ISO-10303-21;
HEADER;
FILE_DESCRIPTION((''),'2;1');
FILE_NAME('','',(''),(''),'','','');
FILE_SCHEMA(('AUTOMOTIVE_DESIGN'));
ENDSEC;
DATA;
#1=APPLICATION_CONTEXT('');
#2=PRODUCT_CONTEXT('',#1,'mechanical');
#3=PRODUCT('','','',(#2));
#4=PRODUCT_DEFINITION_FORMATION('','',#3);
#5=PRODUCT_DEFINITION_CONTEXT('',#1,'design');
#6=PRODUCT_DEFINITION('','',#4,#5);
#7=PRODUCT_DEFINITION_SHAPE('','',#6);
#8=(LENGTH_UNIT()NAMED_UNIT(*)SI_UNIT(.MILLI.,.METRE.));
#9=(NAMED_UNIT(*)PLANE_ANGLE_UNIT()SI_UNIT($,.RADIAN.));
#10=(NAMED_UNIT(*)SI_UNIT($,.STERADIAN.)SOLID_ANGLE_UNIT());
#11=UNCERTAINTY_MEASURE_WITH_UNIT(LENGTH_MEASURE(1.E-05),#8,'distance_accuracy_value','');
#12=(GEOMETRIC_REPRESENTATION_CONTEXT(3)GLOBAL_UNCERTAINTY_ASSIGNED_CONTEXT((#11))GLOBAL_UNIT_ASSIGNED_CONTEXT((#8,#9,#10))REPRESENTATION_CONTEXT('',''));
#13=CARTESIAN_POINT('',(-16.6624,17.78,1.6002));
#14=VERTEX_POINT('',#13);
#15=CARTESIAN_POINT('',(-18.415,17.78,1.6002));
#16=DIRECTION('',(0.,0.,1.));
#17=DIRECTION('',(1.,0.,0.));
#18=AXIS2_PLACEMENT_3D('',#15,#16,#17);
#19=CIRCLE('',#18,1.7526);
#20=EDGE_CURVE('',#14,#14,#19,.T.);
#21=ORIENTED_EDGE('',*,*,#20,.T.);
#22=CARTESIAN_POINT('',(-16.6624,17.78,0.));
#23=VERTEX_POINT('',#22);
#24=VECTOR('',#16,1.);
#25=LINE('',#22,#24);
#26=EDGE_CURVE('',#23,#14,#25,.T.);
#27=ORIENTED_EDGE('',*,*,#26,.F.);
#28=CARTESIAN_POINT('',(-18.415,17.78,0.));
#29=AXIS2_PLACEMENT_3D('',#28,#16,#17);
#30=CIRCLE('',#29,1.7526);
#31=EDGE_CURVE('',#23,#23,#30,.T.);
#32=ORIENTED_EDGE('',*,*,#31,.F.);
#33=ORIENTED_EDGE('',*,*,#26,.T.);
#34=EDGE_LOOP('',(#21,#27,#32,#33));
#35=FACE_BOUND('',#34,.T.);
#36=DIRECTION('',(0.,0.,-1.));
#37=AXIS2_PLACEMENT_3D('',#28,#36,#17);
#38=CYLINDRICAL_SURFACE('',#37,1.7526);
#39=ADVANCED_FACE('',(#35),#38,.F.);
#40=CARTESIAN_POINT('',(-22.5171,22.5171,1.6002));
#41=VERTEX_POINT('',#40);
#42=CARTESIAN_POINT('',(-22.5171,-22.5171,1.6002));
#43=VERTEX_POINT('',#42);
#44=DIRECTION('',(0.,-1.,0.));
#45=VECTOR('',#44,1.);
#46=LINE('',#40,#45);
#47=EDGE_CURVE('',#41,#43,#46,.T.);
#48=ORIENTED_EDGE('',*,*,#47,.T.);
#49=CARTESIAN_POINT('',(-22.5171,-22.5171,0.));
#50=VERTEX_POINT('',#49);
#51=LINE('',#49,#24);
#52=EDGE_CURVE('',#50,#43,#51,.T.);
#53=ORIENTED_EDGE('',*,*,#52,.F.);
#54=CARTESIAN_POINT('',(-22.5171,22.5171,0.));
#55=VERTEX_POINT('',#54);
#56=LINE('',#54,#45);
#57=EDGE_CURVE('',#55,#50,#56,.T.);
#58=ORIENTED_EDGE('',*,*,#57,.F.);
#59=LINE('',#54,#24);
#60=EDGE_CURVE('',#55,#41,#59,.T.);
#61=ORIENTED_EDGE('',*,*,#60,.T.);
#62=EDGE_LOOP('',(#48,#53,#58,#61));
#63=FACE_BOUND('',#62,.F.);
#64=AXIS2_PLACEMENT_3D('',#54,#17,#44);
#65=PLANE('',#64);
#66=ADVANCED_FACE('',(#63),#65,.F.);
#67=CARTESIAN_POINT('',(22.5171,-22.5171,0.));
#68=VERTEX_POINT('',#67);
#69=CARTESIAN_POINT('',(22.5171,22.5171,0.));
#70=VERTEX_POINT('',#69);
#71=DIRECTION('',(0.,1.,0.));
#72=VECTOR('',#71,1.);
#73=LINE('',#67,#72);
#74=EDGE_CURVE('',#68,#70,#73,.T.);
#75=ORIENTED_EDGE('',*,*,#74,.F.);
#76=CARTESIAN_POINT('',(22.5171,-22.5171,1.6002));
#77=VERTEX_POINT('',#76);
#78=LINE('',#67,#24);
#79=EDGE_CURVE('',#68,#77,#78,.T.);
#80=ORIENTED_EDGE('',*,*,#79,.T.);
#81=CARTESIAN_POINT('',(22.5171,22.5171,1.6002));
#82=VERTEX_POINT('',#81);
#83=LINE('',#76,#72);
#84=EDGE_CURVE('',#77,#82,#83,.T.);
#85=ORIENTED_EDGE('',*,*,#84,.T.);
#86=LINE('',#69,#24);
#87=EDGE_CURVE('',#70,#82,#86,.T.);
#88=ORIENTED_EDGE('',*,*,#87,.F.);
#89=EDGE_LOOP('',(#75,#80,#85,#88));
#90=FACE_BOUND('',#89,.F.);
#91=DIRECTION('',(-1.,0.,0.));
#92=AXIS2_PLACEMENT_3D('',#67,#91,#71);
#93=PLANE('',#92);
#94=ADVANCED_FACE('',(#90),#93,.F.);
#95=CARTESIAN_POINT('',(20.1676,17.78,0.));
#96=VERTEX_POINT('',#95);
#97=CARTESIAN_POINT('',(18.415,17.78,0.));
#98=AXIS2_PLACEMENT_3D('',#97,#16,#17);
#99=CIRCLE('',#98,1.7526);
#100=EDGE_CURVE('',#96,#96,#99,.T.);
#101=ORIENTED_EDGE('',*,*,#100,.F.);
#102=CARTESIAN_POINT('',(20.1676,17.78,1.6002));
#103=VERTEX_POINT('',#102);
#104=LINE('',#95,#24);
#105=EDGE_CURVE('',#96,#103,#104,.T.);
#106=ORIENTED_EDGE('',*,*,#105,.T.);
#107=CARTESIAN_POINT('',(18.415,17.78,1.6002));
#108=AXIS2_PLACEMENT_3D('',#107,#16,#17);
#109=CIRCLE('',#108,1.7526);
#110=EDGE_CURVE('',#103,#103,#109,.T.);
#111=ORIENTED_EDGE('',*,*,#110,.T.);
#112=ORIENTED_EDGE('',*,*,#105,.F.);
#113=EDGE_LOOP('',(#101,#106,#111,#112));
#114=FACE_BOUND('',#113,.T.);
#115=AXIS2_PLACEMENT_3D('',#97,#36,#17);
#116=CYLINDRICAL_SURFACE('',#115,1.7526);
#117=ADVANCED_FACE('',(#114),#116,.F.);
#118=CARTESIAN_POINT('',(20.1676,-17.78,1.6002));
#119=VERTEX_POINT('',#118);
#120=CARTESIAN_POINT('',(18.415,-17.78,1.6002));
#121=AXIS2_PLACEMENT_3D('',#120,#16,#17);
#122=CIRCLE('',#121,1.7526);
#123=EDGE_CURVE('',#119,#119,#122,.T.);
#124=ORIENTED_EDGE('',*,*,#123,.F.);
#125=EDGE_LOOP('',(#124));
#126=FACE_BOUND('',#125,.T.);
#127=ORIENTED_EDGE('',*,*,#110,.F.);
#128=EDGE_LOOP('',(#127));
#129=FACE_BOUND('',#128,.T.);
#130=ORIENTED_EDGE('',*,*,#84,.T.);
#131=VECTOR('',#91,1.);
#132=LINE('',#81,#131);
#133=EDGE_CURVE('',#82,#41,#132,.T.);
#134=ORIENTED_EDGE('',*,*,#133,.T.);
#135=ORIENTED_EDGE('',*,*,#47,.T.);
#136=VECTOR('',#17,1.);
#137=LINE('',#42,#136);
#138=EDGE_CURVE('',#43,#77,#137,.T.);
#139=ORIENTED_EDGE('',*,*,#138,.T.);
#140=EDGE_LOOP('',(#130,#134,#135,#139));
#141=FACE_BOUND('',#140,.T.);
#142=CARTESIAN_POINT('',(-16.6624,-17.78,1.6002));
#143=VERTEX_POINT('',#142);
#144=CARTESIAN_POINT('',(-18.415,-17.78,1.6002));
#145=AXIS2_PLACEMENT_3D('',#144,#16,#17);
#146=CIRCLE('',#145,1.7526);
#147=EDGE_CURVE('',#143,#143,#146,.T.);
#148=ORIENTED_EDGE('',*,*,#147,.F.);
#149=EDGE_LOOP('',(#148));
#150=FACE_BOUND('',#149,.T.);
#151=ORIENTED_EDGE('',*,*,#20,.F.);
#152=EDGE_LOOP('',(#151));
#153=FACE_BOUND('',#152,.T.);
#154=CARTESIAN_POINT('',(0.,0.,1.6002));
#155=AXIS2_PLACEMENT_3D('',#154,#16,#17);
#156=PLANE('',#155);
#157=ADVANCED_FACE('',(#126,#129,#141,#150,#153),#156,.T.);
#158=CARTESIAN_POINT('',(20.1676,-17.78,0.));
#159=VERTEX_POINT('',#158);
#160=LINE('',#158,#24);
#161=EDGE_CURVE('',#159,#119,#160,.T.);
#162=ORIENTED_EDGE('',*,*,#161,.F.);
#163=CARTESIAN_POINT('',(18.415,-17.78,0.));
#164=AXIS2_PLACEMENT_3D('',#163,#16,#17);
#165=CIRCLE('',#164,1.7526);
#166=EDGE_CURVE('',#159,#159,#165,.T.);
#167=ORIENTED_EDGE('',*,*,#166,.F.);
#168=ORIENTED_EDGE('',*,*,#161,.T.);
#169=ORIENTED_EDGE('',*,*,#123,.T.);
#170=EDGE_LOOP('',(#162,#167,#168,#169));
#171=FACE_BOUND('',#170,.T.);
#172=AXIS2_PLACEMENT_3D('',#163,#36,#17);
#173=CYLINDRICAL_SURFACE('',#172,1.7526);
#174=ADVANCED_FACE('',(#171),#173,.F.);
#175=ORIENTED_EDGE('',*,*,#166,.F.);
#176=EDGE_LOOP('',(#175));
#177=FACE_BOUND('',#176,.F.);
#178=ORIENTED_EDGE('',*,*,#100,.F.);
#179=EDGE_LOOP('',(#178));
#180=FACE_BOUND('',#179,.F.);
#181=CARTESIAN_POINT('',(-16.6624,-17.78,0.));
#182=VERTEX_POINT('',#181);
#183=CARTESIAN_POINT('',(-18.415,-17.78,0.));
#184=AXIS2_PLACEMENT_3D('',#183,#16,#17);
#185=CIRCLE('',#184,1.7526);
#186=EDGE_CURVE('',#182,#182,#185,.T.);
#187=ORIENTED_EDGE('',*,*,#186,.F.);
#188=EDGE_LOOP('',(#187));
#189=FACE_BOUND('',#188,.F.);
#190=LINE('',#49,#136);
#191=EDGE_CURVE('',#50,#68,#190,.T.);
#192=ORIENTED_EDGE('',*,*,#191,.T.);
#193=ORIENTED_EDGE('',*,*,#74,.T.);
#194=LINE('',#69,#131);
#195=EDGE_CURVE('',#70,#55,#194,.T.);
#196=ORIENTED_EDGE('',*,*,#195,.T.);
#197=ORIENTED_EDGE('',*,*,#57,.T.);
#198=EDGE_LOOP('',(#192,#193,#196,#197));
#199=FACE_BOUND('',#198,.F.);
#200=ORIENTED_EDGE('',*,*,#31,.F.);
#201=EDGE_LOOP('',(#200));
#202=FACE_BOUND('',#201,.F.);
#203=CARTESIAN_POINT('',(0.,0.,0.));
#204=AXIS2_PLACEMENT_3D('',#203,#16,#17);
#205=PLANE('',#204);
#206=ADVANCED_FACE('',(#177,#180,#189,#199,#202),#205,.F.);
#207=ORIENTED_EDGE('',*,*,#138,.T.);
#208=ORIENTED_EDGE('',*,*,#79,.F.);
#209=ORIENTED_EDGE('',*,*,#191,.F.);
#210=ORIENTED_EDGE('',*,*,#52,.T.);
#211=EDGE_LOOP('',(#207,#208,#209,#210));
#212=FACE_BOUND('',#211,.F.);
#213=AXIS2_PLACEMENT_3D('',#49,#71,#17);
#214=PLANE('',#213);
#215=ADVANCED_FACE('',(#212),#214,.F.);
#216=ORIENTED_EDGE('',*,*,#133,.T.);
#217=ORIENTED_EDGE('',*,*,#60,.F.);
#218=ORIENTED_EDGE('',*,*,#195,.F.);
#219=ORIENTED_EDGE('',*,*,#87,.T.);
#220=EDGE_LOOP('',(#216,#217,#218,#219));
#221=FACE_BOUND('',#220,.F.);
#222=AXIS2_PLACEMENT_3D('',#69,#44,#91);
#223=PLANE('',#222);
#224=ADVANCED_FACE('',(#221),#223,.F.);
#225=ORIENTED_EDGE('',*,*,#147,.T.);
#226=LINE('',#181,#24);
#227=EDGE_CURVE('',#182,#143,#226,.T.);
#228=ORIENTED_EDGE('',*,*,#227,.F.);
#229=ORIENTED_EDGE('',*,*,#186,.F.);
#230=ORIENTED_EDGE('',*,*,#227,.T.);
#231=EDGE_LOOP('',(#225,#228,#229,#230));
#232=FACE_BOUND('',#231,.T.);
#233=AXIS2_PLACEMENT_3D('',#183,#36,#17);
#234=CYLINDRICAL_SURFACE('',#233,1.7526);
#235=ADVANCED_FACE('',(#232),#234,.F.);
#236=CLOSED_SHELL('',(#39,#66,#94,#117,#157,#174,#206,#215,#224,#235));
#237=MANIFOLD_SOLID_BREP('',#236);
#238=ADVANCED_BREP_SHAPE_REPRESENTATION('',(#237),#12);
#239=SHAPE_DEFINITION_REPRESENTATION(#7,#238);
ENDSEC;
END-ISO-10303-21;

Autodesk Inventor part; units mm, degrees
ref_plane "YZ Plane" through (0, 0, 0) normal (1, 0, 0) x (0, 1, 0)
ref_plane "XZ Plane" through (0, 0, 0) normal (0, 1, 0) x (-1, 0, 0)
ref_plane "XY Plane" through (0, 0, 0) normal (0, 0, 1) x (1, 0, 0)
sketch "Sketch1" plane through (0, 0, 0) normal (0, 0, 1) x (1, 0, 0)
  line L0 (-22.5171, -22.5171) -> (22.5171, -22.5171)
  line L1 (22.5171, -22.5171) -> (22.5171, 22.5171)
  line L2 (22.5171, 22.5171) -> (-22.5171, 22.5171)
  line L3 (-22.5171, 22.5171) -> (-22.5171, -22.5171)
  circle A0 centre (18.415, 17.78) radius 1.7526
  circle A1 centre (18.415, -17.78) radius 1.7526
  circle A2 centre (-18.415, -17.78) radius 1.7526
  circle A3 centre (-18.415, 17.78) radius 1.7526
  point P0 (0, 0)
extrude "Extrusion1" add sketch "Sketch1" along normal blind 1.6002
properties part number "pcb"
